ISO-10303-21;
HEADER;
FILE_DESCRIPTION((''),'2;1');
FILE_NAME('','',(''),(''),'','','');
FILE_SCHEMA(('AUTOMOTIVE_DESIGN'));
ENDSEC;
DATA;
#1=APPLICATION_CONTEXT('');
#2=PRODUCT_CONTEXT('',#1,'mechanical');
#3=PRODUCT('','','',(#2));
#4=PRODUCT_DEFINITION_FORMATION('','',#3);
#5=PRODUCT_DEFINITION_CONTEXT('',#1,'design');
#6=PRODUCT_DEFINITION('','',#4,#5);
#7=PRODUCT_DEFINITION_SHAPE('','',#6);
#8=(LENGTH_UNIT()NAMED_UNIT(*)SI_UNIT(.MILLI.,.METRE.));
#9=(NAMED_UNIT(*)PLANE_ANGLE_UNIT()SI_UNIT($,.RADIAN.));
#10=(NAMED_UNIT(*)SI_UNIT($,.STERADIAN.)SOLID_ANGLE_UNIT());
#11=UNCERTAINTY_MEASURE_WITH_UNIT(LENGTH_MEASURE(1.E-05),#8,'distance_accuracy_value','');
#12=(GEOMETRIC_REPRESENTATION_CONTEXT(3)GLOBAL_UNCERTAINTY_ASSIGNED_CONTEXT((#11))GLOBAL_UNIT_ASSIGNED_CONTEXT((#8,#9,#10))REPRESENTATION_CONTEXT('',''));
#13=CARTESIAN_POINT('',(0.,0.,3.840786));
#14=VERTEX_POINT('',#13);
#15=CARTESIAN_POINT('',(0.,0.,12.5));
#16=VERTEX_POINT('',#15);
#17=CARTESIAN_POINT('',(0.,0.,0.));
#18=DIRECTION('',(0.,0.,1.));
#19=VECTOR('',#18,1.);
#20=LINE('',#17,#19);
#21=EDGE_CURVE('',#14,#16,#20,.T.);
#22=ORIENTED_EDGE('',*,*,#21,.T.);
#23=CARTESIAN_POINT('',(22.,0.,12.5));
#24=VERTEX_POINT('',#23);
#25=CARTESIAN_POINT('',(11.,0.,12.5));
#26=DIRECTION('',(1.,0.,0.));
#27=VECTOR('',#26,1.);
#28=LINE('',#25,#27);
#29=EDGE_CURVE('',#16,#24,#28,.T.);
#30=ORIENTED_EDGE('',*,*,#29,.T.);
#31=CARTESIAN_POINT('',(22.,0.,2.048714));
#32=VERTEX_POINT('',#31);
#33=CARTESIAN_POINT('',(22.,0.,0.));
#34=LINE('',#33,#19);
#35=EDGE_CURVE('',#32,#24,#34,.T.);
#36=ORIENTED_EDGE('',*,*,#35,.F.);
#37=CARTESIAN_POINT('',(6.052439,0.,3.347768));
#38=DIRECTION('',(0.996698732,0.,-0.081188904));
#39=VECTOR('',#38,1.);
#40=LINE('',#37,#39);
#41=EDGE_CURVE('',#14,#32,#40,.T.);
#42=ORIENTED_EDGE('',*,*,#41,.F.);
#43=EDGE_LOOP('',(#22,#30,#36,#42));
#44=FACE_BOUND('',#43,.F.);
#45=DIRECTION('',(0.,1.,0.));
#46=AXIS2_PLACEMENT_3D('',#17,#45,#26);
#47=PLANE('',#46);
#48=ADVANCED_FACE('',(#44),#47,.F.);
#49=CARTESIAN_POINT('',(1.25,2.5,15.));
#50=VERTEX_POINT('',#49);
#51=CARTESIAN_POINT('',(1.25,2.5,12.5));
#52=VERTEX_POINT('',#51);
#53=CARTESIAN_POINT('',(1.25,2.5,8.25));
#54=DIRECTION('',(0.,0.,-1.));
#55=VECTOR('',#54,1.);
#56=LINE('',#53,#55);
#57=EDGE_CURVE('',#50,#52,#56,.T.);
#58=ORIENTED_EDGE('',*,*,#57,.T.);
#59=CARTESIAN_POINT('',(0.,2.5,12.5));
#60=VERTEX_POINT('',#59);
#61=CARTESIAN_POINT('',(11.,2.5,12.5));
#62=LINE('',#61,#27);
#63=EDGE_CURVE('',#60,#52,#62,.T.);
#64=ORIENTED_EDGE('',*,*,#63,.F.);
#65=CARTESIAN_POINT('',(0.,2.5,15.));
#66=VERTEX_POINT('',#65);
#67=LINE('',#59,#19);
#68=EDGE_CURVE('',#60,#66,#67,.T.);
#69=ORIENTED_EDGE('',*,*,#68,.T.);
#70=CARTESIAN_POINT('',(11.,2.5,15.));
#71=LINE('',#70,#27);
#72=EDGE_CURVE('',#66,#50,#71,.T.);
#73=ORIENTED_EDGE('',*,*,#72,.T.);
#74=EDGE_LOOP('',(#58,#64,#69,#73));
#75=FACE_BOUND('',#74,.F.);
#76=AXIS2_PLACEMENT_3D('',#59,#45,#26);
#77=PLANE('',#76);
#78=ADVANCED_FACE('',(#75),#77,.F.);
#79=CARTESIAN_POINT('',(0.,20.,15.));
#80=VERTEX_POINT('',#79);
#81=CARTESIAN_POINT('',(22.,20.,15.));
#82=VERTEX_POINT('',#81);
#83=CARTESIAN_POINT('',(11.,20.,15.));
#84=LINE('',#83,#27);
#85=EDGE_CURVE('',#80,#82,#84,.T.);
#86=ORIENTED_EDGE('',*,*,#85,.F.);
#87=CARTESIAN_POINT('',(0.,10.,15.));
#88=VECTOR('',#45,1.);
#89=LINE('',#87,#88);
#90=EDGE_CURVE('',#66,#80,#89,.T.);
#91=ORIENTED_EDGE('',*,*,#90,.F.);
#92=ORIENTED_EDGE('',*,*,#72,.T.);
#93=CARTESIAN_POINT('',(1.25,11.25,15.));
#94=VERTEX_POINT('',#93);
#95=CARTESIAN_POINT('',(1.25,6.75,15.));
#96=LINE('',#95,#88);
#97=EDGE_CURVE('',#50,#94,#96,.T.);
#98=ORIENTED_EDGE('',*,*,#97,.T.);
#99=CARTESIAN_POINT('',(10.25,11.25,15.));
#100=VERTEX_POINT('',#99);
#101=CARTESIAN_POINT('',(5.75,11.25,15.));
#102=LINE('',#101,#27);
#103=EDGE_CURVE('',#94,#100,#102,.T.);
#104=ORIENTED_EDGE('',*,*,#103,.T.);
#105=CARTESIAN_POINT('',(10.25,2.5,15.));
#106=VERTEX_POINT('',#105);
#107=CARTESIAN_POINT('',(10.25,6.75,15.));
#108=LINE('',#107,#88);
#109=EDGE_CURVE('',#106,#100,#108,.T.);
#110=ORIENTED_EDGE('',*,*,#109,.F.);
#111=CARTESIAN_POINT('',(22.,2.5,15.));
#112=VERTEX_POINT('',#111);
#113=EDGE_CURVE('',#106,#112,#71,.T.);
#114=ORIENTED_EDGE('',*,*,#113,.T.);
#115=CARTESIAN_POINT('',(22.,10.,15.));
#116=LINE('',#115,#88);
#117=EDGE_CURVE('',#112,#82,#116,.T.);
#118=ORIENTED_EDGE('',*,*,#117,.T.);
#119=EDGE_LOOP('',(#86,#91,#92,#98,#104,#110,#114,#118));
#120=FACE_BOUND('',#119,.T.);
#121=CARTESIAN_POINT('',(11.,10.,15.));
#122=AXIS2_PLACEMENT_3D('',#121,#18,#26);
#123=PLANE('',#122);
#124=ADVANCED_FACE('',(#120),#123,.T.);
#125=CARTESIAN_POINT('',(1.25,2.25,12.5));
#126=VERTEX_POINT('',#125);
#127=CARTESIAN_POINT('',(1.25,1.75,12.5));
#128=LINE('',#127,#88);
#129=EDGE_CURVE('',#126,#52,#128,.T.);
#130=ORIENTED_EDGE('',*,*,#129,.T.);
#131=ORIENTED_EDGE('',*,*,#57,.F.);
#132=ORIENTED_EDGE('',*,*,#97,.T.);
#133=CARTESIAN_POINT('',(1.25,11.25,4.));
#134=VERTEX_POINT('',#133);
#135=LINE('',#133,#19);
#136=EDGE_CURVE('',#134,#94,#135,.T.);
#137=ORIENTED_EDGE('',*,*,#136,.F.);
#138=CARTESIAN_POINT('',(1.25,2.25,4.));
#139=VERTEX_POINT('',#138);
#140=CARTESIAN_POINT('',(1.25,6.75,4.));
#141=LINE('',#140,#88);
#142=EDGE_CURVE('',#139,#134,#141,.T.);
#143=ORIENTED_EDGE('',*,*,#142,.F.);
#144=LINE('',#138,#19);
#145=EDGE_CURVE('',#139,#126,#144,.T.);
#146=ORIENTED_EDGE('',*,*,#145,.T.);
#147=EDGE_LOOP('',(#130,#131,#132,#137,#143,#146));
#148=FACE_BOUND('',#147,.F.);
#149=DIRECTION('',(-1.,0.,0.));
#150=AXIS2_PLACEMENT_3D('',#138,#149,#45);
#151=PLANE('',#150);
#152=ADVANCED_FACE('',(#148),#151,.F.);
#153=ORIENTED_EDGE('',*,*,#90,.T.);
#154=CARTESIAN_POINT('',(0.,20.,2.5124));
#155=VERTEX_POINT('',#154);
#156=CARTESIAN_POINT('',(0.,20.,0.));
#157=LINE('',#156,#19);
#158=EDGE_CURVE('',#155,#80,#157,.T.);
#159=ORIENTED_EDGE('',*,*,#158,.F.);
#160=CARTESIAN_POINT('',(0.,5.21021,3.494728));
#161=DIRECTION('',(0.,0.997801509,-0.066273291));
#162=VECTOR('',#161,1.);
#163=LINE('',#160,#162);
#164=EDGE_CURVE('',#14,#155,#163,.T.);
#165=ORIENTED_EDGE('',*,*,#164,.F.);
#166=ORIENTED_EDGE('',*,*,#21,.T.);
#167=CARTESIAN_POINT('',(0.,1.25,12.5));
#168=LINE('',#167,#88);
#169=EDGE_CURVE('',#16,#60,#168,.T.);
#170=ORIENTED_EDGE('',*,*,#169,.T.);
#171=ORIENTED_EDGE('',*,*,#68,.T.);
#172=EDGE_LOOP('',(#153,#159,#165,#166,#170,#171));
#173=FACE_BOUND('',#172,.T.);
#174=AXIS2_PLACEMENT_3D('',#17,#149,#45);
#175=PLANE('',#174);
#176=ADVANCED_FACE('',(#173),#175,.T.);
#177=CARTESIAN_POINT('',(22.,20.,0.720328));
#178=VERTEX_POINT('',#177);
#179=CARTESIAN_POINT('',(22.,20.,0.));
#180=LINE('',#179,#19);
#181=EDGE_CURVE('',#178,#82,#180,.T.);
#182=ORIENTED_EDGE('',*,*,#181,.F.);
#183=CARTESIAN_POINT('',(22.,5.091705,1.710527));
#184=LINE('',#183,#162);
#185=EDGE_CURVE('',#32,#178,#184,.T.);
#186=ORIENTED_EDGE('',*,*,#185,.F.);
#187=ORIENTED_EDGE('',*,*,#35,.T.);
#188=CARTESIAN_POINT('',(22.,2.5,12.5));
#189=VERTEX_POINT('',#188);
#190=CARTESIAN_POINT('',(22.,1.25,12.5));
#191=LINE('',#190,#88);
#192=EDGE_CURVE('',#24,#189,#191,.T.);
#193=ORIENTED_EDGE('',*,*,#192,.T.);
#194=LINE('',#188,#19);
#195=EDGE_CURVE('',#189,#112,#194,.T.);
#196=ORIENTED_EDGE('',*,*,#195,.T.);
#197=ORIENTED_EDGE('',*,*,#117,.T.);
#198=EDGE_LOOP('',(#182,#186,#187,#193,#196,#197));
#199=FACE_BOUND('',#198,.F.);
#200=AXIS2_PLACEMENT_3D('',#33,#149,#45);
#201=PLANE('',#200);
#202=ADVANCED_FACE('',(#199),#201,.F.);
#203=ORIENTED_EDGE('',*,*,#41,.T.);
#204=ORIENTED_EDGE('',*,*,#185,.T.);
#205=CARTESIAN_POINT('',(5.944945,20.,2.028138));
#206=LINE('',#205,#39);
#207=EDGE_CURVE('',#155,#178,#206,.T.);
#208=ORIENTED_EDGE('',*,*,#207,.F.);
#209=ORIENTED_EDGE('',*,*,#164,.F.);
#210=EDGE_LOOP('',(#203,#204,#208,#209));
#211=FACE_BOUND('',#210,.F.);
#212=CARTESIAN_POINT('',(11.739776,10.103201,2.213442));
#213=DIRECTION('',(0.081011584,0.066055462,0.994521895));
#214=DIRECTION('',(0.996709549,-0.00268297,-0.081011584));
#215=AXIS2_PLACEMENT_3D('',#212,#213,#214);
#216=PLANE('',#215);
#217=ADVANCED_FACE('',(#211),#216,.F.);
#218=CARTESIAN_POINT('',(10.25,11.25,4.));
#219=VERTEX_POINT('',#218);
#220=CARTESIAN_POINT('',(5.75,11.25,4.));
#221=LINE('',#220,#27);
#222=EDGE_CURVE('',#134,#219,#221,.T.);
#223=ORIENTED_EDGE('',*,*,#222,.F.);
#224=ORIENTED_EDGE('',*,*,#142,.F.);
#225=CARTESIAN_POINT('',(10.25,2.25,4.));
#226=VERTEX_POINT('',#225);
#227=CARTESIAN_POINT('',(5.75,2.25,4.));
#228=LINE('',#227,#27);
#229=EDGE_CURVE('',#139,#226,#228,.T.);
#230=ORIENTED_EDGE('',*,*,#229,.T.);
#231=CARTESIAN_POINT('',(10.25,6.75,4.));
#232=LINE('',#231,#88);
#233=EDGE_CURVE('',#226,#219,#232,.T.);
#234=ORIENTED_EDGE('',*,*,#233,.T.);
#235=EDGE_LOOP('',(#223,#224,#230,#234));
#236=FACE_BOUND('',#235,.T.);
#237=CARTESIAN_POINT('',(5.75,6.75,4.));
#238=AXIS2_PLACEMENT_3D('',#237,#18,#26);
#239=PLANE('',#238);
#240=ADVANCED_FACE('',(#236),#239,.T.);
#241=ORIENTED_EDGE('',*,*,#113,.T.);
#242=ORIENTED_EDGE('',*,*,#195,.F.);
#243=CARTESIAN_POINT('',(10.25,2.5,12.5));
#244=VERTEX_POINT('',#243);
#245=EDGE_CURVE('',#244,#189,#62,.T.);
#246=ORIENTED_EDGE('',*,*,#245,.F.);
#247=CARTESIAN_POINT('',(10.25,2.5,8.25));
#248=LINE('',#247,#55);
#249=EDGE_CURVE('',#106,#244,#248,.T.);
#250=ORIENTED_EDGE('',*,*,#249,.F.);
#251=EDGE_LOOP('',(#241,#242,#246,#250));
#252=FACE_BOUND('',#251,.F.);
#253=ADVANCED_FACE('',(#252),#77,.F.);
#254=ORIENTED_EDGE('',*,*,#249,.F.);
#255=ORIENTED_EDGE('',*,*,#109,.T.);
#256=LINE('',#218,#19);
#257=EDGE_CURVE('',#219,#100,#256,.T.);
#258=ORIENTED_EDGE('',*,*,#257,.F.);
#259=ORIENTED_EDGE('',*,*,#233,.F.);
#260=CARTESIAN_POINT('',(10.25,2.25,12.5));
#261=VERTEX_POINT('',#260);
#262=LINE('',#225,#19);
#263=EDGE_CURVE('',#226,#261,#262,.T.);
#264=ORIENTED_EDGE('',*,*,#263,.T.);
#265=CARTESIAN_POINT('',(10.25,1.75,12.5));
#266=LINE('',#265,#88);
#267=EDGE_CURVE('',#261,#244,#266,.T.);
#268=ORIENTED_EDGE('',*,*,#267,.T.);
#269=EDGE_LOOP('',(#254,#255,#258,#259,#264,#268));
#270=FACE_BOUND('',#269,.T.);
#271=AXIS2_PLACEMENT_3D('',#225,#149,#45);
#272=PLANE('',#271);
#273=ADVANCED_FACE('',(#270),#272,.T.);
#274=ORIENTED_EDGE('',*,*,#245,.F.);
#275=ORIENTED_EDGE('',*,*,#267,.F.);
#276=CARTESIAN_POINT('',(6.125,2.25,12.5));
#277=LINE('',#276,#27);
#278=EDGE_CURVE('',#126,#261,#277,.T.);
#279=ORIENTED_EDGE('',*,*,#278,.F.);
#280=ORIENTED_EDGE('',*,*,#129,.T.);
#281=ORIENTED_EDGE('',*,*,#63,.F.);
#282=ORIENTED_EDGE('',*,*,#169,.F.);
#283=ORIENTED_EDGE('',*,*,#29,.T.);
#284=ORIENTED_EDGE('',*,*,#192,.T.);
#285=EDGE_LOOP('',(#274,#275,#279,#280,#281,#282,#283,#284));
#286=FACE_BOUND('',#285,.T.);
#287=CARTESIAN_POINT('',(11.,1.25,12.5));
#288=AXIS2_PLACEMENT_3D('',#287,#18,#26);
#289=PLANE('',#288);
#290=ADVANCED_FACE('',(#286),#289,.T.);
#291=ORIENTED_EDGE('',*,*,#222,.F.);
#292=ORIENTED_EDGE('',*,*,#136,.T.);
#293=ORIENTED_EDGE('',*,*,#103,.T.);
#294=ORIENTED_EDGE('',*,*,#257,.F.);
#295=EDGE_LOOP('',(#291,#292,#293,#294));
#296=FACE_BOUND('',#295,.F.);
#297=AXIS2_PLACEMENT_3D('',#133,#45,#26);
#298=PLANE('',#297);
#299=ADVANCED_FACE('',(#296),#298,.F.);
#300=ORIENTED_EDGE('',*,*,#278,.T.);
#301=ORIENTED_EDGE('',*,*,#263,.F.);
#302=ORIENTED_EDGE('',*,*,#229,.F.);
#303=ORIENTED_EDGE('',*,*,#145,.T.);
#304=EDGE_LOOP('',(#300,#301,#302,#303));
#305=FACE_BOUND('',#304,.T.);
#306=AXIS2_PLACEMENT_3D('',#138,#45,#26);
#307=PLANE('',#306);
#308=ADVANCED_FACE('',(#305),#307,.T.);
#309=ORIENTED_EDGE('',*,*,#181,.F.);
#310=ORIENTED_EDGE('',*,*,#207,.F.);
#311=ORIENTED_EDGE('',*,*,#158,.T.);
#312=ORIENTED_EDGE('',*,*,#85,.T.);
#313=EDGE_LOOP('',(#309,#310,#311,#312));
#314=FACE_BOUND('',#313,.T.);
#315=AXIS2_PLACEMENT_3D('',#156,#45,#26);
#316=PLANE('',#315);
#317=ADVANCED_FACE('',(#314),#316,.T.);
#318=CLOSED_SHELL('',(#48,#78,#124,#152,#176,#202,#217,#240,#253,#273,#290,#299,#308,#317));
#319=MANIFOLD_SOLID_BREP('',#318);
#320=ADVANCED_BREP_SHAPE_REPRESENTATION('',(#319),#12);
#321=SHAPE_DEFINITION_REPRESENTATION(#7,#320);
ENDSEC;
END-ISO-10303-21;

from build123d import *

# Parameters (mm, degrees)
BOX003_W               = 24
BOX003_H               = 23
BOX003_DEPTH           = 10
BOX003_ROLL_ANGLE      = -3.799965
BOX003_PITCH_ANGLE     = 4.646714
BOX003_PLACEMENT_ANGLE = -0.15423
BOX002_W               = 22
BOX002_H               = 2.5
BOX002_DEPTH           = 2.5
BOX001_W               = 9
BOX001_H               = 9
BOX001_DEPTH           = 11
BOX_W                  = 22
BOX_H                  = 20
BOX_DEPTH              = 15


with BuildPart() as cube003:
    # Box003 → Box003 (new body)
    with BuildSketch(Plane.XY):
        with Locations((12, 11.5)):
            Rectangle(BOX003_W, BOX003_H)
    extrude(amount=BOX003_DEPTH)


with BuildPart() as cube003_1:
    # Box003 roll: moved
    add(cube003.part.rotate(Axis((0, 0, 0), (1, 0, 0)), BOX003_ROLL_ANGLE))


with BuildPart() as cube003_2:
    # Box003 pitch: moved
    add(cube003_1.part.rotate(Axis((0, 0, 0), (0, 1, 0)), BOX003_PITCH_ANGLE))


with BuildPart() as cube003_3:
    # Box003 placement: moved
    add(cube003_2.part.moved(Location((-1, -2, -6))).rotate(Axis((-1, -2, -6), (0, 0, 1)), BOX003_PLACEMENT_ANGLE))


with BuildPart() as cube002:
    # Box002 → Box002 (new body)
    with BuildSketch(Plane.XY.offset(12.5)):
        with Locations((11, 1.25)):
            Rectangle(BOX002_W, BOX002_H)
    extrude(amount=BOX002_DEPTH)


with BuildPart() as cube001:
    # Box001 → Box001 (new body)
    with BuildSketch(Plane(origin=(1.25, 2.25, 4), x_dir=(1, 0, 0), z_dir=(0, 0, 1))):
        with Locations((4.5, 4.5)):
            Rectangle(BOX001_W, BOX001_H)
    extrude(amount=BOX001_DEPTH)


with BuildPart() as cut002:
    # Box → Box (new body)
    with BuildSketch(Plane.XY):
        with Locations((11, 10)):
            Rectangle(BOX_W, BOX_H)
    extrude(amount=BOX_DEPTH)

    # Cut: cut Cube001
    add(cube001.part, mode=Mode.SUBTRACT)

    # Cut001: cut Cube002
    add(cube002.part, mode=Mode.SUBTRACT)

    # Cut002: cut Cube003
    add(cube003_3.part, mode=Mode.SUBTRACT)


solid = cut002.part
